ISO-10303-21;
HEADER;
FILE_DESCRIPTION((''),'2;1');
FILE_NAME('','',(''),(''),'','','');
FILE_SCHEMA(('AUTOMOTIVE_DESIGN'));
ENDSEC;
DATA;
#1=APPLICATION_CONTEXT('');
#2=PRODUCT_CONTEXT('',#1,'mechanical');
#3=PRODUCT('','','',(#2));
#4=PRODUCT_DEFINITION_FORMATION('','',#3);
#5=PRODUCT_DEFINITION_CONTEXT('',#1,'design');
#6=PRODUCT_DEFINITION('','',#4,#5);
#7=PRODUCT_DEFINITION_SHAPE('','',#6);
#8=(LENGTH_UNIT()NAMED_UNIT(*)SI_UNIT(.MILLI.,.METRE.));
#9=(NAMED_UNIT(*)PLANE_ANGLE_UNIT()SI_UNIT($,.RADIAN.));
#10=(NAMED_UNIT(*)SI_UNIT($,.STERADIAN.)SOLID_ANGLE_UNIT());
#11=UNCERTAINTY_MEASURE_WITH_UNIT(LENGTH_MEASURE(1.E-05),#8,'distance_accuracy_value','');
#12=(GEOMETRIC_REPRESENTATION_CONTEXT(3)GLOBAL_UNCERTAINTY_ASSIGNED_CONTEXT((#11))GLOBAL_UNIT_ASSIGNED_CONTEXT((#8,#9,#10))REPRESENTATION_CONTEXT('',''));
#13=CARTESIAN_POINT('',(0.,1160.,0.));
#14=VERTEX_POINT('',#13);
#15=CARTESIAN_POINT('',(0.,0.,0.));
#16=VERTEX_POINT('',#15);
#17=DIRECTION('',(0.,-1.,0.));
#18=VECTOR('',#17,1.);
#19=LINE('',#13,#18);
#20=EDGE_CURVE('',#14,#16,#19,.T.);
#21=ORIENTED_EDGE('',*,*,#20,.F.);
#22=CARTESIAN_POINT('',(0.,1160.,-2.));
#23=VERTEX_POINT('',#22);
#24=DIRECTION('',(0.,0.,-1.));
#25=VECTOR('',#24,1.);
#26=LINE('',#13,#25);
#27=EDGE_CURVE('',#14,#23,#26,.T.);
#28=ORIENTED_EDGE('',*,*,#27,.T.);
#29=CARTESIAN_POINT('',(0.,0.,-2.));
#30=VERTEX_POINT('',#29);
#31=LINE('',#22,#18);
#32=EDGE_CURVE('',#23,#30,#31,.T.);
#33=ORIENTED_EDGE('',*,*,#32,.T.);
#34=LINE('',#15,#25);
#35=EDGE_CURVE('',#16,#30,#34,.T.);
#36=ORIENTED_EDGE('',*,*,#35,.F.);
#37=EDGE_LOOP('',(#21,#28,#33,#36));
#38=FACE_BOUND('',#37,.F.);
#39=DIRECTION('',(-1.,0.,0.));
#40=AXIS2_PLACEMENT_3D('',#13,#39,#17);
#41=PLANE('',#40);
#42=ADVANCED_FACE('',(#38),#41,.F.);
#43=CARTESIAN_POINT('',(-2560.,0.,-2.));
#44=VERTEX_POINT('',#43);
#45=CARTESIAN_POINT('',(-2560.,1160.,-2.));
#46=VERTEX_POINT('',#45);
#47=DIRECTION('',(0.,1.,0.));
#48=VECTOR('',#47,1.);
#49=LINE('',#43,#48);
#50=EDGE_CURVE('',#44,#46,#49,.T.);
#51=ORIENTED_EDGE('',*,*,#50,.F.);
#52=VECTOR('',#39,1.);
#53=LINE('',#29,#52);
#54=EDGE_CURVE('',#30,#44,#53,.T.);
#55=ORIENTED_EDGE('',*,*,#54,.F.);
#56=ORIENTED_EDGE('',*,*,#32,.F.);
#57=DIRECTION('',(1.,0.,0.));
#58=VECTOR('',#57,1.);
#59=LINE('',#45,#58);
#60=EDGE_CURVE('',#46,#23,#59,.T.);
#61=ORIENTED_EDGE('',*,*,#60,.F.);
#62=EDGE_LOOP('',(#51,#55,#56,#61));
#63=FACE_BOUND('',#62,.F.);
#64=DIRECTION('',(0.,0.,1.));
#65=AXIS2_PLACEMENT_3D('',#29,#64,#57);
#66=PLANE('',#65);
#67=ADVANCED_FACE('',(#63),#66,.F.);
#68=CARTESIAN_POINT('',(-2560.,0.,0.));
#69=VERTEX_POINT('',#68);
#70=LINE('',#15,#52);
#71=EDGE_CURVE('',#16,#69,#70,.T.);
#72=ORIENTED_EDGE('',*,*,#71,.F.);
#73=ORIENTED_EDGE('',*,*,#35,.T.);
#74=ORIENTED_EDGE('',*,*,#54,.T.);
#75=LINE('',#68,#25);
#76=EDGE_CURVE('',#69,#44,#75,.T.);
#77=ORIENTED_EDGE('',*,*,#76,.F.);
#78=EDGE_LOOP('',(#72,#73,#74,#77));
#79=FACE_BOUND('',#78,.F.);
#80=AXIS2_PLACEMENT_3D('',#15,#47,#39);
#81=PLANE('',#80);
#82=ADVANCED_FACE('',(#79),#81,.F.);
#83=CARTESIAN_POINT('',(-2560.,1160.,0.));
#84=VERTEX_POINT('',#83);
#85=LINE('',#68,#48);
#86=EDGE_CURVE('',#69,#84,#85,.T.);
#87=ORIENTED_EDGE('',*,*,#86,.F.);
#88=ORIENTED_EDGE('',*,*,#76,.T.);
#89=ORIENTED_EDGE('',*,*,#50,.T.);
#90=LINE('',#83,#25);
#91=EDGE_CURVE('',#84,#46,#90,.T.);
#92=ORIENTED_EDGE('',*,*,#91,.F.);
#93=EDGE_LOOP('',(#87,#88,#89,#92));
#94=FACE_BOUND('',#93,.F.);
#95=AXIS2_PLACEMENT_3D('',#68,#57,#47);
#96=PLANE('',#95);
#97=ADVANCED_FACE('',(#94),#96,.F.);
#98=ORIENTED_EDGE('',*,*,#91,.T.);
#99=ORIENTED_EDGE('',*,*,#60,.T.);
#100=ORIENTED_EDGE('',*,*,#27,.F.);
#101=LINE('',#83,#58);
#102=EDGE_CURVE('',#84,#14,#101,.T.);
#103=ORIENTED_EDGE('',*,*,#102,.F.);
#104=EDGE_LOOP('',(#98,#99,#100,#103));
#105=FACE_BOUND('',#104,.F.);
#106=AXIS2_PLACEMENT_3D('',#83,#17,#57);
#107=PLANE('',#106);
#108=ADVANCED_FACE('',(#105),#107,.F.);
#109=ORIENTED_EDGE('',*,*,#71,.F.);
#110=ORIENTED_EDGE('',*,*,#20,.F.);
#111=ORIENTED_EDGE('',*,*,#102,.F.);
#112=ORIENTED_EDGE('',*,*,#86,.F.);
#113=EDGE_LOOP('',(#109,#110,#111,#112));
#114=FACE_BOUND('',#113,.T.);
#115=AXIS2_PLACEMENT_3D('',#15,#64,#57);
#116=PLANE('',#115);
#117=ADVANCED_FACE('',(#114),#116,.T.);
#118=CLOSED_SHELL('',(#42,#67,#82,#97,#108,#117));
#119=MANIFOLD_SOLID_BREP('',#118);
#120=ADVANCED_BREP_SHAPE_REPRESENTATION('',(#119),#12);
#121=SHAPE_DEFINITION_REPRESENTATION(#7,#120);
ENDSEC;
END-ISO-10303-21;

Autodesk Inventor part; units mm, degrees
ref_plane "YZ Plane" through (0, 0, 0) normal (1, 0, 0) x (0, 1, 0)
ref_plane "XZ Plane" through (0, 0, 0) normal (0, 1, 0) x (-1, 0, 0)
ref_plane "XY Plane" through (0, 0, 0) normal (0, 0, 1) x (1, 0, 0)
sketch "Sketch1" plane through (0, 0, 0) normal (0, 0, 1) x (1, 0, 0)
  line L0 (0, 0) -> (-2560, 0)
  line L1 (-2560, 0) -> (-2560, 1160)
  line L2 (-2560, 1160) -> (0, 1160)
  line L3 (0, 1160) -> (0, 0)
  dimension "d0" = 2560
  dimension "d1" = 1160
extrude "Extrusion1" add sketch "Sketch1" against normal blind 2
properties part number "acrilicoFixo"
